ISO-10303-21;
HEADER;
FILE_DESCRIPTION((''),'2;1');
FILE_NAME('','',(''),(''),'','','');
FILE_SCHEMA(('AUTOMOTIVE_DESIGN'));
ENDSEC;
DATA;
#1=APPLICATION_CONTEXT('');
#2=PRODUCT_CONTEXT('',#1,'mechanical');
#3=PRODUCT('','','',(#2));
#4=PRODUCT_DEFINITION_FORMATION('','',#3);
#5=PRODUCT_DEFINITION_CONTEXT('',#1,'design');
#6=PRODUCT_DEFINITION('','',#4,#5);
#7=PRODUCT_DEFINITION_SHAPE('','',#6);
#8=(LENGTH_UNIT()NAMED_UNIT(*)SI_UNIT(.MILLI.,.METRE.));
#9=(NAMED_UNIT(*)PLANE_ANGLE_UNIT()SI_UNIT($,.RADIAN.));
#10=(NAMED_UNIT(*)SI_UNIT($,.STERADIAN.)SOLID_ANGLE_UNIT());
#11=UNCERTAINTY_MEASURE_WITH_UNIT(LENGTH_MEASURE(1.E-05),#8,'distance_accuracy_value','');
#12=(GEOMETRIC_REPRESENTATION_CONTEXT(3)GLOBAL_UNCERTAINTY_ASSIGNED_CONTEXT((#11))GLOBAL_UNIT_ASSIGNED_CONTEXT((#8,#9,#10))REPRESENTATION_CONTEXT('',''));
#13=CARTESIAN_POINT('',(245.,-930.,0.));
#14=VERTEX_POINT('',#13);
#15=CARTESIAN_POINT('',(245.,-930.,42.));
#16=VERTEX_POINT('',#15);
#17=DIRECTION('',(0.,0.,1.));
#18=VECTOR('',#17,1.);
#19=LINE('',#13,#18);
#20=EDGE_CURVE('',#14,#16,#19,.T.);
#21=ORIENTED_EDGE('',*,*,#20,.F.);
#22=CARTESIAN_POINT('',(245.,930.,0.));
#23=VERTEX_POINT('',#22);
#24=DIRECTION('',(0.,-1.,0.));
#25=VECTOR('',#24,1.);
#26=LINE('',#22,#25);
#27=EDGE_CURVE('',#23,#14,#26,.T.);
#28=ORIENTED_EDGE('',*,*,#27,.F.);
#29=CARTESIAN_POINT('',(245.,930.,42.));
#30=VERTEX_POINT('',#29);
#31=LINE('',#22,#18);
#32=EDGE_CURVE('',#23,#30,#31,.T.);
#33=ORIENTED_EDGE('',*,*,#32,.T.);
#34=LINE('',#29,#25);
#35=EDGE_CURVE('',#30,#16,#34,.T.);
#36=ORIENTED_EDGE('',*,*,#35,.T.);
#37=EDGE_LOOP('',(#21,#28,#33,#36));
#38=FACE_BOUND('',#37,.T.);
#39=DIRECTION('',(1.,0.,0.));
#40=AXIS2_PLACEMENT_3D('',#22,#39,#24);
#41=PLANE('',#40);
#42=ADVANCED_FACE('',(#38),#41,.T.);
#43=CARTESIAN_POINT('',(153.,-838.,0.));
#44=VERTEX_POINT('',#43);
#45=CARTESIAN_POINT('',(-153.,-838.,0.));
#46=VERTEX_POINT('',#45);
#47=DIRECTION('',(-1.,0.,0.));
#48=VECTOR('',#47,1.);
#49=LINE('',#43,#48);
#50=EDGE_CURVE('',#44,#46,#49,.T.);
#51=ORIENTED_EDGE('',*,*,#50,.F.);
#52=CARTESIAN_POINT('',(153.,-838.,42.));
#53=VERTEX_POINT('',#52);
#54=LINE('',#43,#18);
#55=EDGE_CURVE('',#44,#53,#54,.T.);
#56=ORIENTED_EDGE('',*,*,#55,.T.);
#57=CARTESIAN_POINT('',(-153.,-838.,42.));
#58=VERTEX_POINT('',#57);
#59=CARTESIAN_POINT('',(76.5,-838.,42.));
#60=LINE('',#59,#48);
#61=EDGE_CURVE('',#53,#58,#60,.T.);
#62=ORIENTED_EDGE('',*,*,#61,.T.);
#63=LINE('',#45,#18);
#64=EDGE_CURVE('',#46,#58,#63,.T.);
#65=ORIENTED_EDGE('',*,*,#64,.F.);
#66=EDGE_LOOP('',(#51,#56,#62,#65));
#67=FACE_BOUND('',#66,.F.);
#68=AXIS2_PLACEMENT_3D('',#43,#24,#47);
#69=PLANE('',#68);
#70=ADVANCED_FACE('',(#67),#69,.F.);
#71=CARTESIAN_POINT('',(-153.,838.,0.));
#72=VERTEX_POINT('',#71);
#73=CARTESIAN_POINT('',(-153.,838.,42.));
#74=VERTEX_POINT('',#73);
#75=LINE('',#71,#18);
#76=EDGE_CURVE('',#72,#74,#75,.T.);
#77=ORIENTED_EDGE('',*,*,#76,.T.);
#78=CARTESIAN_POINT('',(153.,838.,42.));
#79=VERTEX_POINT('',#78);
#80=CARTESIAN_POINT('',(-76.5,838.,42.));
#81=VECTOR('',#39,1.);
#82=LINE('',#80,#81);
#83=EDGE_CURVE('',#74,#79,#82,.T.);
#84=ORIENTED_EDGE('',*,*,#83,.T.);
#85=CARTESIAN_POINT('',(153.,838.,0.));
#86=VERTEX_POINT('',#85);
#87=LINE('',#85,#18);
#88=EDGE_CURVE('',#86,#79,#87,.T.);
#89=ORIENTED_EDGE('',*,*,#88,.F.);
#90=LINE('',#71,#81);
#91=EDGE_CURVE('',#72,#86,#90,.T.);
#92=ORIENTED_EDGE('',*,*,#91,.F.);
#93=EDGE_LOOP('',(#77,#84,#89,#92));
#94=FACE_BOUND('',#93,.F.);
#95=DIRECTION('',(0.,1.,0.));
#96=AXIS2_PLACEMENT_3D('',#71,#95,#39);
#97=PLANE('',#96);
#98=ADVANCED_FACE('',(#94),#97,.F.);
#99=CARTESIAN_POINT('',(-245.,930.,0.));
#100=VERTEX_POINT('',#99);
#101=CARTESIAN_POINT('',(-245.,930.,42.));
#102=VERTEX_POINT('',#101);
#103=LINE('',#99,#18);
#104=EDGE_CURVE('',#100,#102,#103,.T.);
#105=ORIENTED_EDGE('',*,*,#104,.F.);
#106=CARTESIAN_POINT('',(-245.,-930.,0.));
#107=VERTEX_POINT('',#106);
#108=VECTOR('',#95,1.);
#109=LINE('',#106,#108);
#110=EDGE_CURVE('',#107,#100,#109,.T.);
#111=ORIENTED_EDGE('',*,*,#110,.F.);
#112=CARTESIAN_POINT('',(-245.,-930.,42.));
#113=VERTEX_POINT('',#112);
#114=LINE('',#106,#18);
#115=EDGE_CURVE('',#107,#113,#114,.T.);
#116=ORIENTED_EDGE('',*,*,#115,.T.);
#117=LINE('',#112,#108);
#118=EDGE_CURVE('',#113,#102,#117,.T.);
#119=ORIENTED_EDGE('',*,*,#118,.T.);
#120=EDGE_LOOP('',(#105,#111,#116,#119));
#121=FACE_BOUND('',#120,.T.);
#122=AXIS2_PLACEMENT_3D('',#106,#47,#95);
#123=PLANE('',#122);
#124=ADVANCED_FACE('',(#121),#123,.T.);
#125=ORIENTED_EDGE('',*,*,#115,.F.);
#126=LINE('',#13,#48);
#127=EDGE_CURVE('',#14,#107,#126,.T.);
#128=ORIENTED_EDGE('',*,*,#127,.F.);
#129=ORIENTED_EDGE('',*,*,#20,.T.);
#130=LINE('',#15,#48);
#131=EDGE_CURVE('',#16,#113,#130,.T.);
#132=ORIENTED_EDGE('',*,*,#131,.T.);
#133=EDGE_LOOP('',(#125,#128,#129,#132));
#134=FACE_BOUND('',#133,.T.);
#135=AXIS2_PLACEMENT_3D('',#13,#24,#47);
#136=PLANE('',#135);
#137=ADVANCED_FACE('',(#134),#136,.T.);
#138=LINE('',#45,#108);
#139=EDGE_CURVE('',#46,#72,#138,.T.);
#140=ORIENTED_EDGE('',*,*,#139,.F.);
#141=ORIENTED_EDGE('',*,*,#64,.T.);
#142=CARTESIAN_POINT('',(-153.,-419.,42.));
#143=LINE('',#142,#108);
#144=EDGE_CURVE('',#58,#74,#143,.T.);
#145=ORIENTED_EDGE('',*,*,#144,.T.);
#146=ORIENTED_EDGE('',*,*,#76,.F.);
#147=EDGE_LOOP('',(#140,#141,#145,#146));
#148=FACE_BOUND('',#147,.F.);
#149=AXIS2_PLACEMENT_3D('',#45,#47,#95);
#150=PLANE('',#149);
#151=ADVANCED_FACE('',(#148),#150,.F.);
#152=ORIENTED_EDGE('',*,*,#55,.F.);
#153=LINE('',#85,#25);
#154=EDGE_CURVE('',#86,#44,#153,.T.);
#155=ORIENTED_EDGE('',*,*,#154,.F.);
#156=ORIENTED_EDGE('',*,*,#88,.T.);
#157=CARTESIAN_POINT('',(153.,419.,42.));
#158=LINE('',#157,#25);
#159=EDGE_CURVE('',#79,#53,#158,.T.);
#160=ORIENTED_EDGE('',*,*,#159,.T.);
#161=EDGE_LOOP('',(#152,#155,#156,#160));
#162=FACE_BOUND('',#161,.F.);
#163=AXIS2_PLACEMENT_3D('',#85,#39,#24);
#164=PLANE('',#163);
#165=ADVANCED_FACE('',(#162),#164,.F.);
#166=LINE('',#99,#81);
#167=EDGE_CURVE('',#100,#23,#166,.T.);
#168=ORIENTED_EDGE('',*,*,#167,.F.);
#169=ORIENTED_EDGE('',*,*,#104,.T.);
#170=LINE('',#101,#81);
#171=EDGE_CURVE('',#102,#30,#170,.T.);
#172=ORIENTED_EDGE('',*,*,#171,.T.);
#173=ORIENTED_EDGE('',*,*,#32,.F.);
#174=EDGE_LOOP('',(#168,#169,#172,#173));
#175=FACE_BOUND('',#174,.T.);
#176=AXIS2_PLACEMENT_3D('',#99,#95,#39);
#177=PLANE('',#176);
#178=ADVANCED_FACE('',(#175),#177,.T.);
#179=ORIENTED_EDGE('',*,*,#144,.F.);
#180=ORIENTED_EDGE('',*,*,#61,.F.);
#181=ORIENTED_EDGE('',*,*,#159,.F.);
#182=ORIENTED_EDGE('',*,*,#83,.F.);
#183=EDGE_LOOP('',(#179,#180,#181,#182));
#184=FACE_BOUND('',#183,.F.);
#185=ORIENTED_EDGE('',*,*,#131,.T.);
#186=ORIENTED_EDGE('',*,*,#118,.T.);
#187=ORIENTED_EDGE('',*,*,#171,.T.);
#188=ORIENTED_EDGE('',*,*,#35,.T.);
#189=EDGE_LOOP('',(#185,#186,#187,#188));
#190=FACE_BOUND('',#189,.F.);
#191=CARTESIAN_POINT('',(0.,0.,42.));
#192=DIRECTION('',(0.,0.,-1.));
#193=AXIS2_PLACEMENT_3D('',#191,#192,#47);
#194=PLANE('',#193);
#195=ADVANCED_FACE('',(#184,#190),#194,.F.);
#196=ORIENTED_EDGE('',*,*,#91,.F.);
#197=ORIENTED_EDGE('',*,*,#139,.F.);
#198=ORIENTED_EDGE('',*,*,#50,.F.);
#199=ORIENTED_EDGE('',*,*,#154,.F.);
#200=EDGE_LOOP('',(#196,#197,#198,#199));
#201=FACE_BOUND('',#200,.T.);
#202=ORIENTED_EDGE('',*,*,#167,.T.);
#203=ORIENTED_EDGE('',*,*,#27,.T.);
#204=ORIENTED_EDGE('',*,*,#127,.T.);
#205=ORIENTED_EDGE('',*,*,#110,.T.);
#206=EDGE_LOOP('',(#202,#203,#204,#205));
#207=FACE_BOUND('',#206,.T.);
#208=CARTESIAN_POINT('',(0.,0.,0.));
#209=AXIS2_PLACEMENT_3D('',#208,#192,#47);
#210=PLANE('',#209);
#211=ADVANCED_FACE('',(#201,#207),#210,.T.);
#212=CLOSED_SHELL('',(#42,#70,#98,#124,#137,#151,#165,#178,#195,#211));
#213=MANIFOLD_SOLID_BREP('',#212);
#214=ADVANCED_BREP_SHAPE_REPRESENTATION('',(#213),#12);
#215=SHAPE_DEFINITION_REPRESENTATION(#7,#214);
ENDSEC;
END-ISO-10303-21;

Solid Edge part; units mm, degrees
sketch "Sketch1" plane through (0, 0, 0) normal (0, 0, -1) x (-1, 0, 0)
  line L0 (-245, -930) -> (245, -930)
  line L1 (245, -930) -> (245, 930)
  line L2 (245, 930) -> (-245, 930)
  line L3 (-245, 930) -> (-245, -930)
extrude "Protrusion1" add sketch "Sketch1" against normal blind 42
sketch "Sketch2" plane through (0, 0, 0) normal (0, 0, -1) x (1, 0, 0)
  line L0 (-153, -838) -> (153, -838)
  line L1 (153, -838) -> (153, 838)
  line L2 (153, 838) -> (-153, 838)
  line L3 (-153, 838) -> (-153, -838)
extrude "ExtrudedCutout_1" cut sketch "Sketch2" against normal blind 1564.7985
properties material "Wood, Pine"
